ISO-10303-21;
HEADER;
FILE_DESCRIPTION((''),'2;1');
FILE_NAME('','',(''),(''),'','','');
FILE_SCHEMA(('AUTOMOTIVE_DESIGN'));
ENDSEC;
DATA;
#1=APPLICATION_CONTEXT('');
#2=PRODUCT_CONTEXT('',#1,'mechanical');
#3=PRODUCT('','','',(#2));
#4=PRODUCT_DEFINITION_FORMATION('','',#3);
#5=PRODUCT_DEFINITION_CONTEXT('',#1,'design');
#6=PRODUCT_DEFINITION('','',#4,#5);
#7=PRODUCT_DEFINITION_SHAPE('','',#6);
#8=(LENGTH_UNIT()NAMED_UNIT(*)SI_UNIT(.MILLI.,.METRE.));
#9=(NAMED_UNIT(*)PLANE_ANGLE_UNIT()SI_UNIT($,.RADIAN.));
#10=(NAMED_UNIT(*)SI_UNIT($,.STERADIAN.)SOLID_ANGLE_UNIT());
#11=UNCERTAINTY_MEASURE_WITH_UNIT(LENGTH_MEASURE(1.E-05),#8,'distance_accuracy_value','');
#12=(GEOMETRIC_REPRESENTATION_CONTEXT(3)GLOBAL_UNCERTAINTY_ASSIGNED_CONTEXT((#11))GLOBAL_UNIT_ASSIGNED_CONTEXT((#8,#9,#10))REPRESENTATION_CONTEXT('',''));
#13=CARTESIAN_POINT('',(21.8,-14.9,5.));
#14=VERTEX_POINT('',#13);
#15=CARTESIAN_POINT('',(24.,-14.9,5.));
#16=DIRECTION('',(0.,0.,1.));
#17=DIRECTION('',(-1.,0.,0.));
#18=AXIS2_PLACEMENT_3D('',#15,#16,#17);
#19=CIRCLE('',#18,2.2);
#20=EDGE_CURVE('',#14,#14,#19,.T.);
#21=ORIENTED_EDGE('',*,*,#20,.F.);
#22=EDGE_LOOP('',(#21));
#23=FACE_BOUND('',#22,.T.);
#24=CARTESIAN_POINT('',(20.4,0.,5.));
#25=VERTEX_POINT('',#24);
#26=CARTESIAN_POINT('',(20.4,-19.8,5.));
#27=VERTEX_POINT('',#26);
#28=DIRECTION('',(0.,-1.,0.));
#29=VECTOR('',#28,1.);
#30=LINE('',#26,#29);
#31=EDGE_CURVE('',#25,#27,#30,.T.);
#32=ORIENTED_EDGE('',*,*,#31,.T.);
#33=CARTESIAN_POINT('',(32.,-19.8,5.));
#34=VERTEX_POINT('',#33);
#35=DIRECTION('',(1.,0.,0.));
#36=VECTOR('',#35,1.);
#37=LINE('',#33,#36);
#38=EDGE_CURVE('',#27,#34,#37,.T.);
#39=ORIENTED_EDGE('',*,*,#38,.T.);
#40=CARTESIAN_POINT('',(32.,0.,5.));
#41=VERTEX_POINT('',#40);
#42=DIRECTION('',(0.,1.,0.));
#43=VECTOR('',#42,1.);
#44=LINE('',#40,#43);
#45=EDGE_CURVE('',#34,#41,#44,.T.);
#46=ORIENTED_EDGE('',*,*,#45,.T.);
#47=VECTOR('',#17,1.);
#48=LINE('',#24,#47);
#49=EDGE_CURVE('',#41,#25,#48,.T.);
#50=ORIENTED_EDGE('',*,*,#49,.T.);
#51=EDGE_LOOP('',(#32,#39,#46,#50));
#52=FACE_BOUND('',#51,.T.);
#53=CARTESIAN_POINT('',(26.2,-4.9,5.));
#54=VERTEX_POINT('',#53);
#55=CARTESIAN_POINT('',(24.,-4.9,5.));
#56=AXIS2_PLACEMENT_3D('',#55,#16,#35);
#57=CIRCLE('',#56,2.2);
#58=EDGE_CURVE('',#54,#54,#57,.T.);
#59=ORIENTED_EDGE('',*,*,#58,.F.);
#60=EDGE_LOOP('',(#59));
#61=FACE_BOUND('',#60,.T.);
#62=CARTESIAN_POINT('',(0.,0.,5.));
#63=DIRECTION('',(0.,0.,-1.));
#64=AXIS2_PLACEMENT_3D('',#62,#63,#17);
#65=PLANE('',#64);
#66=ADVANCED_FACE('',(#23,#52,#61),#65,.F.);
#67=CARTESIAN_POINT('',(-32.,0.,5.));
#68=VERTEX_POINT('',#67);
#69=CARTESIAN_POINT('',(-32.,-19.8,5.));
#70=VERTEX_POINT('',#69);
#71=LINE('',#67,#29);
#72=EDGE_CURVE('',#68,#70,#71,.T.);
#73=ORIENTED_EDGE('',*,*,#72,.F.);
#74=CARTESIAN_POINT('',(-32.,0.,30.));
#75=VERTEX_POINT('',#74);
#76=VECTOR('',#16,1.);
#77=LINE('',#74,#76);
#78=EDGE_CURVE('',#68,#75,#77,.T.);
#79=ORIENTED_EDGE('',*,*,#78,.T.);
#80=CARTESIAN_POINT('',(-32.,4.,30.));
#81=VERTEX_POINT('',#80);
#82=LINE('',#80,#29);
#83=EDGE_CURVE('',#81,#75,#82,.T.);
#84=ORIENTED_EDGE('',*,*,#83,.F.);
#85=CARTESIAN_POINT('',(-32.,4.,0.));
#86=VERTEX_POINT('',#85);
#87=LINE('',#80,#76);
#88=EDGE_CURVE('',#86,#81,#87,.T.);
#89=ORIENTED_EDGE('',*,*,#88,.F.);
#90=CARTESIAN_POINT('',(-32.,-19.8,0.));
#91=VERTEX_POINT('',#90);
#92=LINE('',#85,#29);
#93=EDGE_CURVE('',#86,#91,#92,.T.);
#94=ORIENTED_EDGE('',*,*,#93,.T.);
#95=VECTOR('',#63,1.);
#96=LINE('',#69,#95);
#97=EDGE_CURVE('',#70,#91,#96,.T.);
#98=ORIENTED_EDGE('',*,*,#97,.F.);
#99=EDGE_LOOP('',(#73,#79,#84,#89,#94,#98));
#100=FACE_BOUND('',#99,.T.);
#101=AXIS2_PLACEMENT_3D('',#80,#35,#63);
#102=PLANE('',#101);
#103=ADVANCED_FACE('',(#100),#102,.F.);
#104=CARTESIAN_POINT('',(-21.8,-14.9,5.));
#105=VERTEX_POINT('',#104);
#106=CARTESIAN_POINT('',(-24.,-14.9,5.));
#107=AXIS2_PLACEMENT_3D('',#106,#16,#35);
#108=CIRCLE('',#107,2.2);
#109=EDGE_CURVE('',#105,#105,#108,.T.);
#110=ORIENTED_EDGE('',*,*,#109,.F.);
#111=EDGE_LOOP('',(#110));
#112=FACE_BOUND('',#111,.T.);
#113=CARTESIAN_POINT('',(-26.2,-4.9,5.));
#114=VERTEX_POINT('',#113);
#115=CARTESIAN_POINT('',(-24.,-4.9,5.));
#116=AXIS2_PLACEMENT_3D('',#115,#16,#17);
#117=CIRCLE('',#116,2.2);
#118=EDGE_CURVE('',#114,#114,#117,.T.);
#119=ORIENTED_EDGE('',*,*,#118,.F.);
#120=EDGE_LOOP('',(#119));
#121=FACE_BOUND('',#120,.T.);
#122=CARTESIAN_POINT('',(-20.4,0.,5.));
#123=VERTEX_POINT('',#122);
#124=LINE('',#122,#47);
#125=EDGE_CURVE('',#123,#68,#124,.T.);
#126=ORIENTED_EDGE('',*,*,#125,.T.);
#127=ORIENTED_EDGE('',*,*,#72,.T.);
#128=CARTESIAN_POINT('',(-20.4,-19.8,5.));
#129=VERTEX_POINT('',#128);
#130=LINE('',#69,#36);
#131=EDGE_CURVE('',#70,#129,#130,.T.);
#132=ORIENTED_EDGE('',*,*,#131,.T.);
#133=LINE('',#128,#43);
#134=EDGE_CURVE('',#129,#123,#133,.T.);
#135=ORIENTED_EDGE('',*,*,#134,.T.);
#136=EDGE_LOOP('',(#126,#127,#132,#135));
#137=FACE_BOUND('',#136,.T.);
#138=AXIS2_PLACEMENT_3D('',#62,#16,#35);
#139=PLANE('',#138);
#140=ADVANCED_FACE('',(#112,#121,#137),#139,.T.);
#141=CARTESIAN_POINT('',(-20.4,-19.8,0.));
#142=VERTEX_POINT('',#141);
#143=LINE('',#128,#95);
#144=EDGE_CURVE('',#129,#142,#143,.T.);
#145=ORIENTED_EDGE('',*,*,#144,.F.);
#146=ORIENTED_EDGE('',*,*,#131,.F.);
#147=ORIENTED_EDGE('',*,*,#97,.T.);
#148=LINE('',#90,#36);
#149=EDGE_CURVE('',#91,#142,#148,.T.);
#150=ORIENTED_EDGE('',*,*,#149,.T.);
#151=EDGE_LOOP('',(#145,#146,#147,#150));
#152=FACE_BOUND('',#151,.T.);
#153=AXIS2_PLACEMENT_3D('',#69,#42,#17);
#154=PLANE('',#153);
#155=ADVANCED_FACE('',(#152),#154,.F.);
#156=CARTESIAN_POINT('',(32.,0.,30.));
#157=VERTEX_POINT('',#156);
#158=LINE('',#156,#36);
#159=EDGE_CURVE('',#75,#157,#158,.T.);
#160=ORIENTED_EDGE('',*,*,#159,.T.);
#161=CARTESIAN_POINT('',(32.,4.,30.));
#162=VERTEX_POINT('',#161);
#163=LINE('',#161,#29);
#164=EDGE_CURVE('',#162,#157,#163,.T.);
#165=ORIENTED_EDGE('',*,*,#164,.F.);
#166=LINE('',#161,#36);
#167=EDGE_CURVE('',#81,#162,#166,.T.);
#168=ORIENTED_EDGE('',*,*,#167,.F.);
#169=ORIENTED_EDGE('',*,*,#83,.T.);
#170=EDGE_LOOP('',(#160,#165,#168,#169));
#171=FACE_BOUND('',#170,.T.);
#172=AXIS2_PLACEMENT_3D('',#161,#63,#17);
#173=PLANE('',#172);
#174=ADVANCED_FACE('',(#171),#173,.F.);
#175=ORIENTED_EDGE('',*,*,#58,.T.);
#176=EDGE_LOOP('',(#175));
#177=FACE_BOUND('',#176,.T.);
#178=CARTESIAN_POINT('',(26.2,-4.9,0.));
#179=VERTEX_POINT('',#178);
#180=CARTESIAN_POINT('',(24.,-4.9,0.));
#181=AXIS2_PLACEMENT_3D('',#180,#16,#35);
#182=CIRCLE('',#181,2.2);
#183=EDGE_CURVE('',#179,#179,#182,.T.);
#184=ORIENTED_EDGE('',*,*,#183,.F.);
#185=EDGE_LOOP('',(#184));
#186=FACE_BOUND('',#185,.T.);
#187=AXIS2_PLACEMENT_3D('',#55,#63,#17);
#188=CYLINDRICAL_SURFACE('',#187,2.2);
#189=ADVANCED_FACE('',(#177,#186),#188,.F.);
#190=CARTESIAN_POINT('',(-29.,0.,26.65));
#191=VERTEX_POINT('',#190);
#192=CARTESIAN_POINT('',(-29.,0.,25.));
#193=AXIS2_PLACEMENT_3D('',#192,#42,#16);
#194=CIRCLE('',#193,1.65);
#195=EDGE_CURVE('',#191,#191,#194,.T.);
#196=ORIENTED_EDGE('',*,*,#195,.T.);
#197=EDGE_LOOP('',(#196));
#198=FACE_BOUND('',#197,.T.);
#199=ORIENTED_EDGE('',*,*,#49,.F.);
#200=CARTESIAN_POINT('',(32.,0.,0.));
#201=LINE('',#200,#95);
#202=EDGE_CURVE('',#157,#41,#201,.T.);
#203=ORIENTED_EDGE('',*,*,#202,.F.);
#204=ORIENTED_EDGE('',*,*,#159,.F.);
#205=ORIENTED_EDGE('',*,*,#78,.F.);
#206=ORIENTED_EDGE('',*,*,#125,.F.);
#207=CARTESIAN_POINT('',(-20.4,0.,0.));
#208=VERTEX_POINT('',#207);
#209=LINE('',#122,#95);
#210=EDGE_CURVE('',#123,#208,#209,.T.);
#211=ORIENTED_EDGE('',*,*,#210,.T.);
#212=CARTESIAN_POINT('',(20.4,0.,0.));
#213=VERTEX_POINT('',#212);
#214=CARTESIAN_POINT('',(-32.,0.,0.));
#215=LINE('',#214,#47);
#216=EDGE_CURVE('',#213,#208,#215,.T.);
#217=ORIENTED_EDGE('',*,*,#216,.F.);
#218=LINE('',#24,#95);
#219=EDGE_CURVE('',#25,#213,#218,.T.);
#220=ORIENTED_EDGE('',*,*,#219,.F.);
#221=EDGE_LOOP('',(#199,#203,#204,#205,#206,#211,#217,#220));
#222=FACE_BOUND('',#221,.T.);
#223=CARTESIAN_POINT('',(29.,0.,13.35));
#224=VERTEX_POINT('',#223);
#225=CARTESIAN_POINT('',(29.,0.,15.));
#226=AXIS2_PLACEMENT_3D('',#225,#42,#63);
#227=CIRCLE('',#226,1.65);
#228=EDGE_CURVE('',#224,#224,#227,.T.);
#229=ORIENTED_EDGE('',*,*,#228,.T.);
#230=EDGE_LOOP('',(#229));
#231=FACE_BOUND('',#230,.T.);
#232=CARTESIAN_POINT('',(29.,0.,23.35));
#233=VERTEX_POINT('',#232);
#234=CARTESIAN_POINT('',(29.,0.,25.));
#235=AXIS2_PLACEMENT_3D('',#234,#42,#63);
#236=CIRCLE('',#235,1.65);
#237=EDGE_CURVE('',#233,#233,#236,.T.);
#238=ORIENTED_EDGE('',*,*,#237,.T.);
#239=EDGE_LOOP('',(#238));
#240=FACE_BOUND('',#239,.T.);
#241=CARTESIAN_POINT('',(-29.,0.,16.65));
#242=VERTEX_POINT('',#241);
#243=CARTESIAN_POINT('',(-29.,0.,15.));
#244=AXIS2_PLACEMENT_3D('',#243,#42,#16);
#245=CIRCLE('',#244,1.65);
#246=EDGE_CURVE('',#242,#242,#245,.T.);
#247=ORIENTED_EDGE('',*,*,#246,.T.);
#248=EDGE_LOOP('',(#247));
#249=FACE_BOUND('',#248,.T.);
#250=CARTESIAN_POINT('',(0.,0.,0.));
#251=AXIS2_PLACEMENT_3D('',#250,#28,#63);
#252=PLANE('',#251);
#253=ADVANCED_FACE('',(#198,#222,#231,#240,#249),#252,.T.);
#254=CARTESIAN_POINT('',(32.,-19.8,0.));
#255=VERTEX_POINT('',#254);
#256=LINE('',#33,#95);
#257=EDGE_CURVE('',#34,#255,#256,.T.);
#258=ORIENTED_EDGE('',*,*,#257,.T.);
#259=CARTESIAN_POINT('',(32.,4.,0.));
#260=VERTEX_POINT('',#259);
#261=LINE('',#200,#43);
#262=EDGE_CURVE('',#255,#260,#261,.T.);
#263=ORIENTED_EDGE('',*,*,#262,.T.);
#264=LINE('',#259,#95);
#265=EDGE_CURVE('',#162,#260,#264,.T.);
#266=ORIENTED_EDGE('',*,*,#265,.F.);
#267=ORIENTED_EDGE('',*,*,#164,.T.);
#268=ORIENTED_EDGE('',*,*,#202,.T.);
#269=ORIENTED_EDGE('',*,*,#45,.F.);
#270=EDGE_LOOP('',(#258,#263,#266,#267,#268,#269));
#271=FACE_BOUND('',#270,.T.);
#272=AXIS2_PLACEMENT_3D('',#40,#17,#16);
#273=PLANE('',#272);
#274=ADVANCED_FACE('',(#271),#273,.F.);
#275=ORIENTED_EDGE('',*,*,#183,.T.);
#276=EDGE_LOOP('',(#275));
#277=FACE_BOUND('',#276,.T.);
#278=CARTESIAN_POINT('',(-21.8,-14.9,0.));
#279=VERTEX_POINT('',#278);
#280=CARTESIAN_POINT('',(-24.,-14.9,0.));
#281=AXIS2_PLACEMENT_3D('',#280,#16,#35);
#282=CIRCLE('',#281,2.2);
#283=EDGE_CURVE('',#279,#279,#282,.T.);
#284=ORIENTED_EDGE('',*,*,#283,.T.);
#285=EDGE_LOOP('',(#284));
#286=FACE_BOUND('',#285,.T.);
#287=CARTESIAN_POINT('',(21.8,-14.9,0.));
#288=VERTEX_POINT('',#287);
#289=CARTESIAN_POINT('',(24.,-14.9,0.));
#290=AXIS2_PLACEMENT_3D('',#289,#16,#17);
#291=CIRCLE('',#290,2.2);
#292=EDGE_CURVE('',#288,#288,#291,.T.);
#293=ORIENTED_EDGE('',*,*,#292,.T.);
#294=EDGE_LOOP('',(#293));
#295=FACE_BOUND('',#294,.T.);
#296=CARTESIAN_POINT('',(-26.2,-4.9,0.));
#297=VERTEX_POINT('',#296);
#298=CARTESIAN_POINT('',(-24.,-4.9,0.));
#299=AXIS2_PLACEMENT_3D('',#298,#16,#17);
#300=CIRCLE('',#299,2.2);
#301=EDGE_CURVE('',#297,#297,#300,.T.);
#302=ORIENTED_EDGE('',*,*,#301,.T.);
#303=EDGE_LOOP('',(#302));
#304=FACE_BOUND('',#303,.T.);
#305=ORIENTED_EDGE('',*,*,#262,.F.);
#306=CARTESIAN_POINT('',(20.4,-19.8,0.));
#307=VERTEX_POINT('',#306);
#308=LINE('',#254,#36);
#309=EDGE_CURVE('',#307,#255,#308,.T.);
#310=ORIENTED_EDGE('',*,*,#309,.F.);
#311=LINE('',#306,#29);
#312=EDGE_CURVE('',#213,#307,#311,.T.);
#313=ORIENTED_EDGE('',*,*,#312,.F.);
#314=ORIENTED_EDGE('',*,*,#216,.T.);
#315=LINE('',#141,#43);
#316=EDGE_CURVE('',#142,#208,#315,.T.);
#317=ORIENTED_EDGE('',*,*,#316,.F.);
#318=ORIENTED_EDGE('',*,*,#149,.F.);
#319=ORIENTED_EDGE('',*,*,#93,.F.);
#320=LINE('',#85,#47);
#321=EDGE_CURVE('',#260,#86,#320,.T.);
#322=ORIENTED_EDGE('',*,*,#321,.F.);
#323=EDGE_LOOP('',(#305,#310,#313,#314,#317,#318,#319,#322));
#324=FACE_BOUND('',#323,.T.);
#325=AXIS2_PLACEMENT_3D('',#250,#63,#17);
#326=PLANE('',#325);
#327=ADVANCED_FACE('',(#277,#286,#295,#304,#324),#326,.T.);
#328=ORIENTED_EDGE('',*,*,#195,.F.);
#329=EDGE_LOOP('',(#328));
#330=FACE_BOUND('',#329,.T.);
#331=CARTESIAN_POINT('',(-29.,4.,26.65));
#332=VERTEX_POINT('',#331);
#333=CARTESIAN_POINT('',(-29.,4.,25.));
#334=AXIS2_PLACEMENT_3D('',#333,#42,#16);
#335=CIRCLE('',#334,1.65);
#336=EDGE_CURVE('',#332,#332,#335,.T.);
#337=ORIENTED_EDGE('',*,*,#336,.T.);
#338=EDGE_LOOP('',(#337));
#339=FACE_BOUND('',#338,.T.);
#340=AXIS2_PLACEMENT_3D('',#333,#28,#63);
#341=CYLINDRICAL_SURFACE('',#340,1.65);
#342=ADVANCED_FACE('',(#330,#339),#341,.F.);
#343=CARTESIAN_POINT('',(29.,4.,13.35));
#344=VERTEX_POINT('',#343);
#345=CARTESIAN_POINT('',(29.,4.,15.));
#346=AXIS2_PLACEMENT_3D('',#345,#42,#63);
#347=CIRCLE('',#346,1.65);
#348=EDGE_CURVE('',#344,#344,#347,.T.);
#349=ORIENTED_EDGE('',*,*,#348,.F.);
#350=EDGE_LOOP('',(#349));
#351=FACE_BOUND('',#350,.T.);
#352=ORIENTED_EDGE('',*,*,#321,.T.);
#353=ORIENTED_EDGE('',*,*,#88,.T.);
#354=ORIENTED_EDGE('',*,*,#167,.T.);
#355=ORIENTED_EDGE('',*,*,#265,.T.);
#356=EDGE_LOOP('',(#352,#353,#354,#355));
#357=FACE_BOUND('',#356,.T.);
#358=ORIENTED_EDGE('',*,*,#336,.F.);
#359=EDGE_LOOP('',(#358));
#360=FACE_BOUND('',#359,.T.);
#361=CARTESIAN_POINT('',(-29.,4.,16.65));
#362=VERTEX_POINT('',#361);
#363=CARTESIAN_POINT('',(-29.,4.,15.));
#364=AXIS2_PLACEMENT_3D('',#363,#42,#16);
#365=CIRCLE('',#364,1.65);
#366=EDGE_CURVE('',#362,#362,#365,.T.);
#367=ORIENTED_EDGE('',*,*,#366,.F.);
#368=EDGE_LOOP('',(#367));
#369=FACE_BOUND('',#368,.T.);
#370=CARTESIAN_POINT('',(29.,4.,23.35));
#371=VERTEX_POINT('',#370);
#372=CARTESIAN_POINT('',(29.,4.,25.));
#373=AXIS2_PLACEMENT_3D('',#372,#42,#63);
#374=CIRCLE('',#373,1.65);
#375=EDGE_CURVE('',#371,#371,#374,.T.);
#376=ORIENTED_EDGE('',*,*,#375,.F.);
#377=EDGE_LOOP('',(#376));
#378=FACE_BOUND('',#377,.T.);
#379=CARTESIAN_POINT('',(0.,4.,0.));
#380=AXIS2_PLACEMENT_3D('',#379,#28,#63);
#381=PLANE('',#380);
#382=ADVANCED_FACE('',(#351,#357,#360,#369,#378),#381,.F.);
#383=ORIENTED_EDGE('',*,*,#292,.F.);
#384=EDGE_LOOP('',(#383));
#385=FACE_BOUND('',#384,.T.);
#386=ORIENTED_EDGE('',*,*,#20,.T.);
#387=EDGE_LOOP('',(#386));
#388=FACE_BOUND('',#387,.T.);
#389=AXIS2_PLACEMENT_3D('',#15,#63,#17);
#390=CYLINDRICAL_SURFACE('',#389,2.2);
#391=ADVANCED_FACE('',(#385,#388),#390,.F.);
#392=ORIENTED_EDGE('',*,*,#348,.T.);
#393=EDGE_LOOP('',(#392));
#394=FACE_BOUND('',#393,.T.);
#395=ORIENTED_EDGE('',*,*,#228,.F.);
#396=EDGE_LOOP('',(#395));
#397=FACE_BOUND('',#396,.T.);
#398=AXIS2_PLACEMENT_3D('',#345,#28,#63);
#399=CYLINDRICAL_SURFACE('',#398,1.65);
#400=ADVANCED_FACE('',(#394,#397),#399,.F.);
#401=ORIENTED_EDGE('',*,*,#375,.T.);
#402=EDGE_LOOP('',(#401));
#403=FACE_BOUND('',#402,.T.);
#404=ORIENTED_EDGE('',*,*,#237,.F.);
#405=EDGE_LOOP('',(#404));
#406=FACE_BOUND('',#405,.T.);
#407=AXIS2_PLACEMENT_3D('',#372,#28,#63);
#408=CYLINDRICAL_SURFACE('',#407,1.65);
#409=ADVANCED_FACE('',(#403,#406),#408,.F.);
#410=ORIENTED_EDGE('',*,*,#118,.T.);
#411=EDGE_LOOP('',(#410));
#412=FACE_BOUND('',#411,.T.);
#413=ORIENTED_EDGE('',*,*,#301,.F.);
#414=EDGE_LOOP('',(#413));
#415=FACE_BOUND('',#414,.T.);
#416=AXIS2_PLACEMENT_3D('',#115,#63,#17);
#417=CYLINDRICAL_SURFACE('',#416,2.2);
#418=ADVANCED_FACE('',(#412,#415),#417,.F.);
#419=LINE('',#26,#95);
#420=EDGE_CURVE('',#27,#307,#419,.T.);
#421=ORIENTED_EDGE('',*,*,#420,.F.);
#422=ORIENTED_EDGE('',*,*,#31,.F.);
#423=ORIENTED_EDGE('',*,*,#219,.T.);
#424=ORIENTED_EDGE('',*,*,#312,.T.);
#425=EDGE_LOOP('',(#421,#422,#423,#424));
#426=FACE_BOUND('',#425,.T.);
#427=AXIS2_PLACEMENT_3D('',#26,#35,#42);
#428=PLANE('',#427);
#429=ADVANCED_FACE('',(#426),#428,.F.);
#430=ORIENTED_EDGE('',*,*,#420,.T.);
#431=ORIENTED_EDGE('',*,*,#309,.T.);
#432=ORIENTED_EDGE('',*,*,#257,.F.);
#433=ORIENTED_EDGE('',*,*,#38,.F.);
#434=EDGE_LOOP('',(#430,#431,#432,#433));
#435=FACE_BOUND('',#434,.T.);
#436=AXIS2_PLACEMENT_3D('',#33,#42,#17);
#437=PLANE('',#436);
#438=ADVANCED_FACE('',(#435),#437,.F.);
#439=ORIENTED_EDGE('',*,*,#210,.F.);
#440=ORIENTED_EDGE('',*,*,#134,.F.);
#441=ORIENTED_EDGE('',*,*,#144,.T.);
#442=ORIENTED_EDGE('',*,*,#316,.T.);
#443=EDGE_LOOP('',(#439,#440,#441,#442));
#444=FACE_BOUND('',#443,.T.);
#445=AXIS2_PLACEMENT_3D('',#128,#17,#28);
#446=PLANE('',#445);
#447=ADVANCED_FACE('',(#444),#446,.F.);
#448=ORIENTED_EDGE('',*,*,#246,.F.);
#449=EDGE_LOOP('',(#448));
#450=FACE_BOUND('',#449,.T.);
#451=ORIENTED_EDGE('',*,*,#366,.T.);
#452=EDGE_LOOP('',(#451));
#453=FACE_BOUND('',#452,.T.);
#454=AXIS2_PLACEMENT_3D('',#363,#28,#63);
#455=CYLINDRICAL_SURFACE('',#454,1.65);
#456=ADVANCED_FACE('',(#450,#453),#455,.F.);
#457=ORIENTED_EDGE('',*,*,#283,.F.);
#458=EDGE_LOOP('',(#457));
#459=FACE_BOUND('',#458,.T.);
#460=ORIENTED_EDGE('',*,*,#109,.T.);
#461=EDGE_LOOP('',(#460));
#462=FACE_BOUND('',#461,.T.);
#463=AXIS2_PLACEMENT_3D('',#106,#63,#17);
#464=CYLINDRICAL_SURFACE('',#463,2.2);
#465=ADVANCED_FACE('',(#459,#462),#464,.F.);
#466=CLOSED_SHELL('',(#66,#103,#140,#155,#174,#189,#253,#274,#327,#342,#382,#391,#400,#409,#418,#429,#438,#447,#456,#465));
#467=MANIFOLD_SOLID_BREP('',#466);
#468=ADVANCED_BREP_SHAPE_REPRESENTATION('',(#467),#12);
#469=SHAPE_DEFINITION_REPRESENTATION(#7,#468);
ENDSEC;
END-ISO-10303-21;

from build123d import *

# Parameters (mm, degrees)
SKETCH_1_W        = 11.6
SKETCH_1_H        = 19.8
SKETCH_1_R        = 2.2
EXTRUDE_1_DEPTH   = 5
EXTRUDE_1_2_DEPTH = 5
SKETCH_3_W        = 64
SKETCH_3_H        = 30
SKETCH_3_R        = 1.65
EXTRUDE_2_DEPTH   = 4


with BuildPart() as part:
    # 草图1 → 凸台-拉伸1 (new body)
    with BuildSketch(Plane.XY):
        with Locations((26.2, -9.9)):
            Rectangle(SKETCH_1_W, SKETCH_1_H)
        with Locations((24, -4.9)):
            Circle(SKETCH_1_R, mode=Mode.SUBTRACT)
        with Locations(Location((24, -14.9, 0), (0, 0, 180))):
            Circle(SKETCH_1_R, mode=Mode.SUBTRACT)
    extrude(amount=EXTRUDE_1_DEPTH)



with BuildPart() as body_2:
    # 草图1 → Extrude 1 2 (new body)
    with BuildSketch(Plane.XY):
        with Locations((-26.2, -9.9)):
            Rectangle(SKETCH_1_W, SKETCH_1_H)
        with Locations((-24, -14.9)):
            Circle(SKETCH_1_R, mode=Mode.SUBTRACT)
        with Locations(Location((-24, -4.9, 0), (0, 0, 180))):
            Circle(SKETCH_1_R, mode=Mode.SUBTRACT)
    extrude(amount=EXTRUDE_1_2_DEPTH)


with BuildPart() as part_1:
    add(part.part)

    add(body_2.part)  # 凸台-拉伸2 merges body 2
    # 草图3 → 凸台-拉伸2 (add)
    with BuildSketch(Plane(origin=(0, 0, 0), x_dir=(1, 0, 0), z_dir=(0, 1, 0))):
        with Locations((0, -15)):
            Rectangle(SKETCH_3_W, SKETCH_3_H)
        with Locations(Location((-29, -15, 0), (0, 0, 270))):
            Circle(SKETCH_3_R, mode=Mode.SUBTRACT)
        with Locations(Location((-29, -25, 0), (0, 0, 270))):
            Circle(SKETCH_3_R, mode=Mode.SUBTRACT)
        with Locations(Location((29, -25, 0), (0, 0, 90))):
            Circle(SKETCH_3_R, mode=Mode.SUBTRACT)
        with Locations(Location((29, -15, 0), (0, 0, 90))):
            Circle(SKETCH_3_R, mode=Mode.SUBTRACT)
    extrude(amount=EXTRUDE_2_DEPTH)


solid = part_1.part
